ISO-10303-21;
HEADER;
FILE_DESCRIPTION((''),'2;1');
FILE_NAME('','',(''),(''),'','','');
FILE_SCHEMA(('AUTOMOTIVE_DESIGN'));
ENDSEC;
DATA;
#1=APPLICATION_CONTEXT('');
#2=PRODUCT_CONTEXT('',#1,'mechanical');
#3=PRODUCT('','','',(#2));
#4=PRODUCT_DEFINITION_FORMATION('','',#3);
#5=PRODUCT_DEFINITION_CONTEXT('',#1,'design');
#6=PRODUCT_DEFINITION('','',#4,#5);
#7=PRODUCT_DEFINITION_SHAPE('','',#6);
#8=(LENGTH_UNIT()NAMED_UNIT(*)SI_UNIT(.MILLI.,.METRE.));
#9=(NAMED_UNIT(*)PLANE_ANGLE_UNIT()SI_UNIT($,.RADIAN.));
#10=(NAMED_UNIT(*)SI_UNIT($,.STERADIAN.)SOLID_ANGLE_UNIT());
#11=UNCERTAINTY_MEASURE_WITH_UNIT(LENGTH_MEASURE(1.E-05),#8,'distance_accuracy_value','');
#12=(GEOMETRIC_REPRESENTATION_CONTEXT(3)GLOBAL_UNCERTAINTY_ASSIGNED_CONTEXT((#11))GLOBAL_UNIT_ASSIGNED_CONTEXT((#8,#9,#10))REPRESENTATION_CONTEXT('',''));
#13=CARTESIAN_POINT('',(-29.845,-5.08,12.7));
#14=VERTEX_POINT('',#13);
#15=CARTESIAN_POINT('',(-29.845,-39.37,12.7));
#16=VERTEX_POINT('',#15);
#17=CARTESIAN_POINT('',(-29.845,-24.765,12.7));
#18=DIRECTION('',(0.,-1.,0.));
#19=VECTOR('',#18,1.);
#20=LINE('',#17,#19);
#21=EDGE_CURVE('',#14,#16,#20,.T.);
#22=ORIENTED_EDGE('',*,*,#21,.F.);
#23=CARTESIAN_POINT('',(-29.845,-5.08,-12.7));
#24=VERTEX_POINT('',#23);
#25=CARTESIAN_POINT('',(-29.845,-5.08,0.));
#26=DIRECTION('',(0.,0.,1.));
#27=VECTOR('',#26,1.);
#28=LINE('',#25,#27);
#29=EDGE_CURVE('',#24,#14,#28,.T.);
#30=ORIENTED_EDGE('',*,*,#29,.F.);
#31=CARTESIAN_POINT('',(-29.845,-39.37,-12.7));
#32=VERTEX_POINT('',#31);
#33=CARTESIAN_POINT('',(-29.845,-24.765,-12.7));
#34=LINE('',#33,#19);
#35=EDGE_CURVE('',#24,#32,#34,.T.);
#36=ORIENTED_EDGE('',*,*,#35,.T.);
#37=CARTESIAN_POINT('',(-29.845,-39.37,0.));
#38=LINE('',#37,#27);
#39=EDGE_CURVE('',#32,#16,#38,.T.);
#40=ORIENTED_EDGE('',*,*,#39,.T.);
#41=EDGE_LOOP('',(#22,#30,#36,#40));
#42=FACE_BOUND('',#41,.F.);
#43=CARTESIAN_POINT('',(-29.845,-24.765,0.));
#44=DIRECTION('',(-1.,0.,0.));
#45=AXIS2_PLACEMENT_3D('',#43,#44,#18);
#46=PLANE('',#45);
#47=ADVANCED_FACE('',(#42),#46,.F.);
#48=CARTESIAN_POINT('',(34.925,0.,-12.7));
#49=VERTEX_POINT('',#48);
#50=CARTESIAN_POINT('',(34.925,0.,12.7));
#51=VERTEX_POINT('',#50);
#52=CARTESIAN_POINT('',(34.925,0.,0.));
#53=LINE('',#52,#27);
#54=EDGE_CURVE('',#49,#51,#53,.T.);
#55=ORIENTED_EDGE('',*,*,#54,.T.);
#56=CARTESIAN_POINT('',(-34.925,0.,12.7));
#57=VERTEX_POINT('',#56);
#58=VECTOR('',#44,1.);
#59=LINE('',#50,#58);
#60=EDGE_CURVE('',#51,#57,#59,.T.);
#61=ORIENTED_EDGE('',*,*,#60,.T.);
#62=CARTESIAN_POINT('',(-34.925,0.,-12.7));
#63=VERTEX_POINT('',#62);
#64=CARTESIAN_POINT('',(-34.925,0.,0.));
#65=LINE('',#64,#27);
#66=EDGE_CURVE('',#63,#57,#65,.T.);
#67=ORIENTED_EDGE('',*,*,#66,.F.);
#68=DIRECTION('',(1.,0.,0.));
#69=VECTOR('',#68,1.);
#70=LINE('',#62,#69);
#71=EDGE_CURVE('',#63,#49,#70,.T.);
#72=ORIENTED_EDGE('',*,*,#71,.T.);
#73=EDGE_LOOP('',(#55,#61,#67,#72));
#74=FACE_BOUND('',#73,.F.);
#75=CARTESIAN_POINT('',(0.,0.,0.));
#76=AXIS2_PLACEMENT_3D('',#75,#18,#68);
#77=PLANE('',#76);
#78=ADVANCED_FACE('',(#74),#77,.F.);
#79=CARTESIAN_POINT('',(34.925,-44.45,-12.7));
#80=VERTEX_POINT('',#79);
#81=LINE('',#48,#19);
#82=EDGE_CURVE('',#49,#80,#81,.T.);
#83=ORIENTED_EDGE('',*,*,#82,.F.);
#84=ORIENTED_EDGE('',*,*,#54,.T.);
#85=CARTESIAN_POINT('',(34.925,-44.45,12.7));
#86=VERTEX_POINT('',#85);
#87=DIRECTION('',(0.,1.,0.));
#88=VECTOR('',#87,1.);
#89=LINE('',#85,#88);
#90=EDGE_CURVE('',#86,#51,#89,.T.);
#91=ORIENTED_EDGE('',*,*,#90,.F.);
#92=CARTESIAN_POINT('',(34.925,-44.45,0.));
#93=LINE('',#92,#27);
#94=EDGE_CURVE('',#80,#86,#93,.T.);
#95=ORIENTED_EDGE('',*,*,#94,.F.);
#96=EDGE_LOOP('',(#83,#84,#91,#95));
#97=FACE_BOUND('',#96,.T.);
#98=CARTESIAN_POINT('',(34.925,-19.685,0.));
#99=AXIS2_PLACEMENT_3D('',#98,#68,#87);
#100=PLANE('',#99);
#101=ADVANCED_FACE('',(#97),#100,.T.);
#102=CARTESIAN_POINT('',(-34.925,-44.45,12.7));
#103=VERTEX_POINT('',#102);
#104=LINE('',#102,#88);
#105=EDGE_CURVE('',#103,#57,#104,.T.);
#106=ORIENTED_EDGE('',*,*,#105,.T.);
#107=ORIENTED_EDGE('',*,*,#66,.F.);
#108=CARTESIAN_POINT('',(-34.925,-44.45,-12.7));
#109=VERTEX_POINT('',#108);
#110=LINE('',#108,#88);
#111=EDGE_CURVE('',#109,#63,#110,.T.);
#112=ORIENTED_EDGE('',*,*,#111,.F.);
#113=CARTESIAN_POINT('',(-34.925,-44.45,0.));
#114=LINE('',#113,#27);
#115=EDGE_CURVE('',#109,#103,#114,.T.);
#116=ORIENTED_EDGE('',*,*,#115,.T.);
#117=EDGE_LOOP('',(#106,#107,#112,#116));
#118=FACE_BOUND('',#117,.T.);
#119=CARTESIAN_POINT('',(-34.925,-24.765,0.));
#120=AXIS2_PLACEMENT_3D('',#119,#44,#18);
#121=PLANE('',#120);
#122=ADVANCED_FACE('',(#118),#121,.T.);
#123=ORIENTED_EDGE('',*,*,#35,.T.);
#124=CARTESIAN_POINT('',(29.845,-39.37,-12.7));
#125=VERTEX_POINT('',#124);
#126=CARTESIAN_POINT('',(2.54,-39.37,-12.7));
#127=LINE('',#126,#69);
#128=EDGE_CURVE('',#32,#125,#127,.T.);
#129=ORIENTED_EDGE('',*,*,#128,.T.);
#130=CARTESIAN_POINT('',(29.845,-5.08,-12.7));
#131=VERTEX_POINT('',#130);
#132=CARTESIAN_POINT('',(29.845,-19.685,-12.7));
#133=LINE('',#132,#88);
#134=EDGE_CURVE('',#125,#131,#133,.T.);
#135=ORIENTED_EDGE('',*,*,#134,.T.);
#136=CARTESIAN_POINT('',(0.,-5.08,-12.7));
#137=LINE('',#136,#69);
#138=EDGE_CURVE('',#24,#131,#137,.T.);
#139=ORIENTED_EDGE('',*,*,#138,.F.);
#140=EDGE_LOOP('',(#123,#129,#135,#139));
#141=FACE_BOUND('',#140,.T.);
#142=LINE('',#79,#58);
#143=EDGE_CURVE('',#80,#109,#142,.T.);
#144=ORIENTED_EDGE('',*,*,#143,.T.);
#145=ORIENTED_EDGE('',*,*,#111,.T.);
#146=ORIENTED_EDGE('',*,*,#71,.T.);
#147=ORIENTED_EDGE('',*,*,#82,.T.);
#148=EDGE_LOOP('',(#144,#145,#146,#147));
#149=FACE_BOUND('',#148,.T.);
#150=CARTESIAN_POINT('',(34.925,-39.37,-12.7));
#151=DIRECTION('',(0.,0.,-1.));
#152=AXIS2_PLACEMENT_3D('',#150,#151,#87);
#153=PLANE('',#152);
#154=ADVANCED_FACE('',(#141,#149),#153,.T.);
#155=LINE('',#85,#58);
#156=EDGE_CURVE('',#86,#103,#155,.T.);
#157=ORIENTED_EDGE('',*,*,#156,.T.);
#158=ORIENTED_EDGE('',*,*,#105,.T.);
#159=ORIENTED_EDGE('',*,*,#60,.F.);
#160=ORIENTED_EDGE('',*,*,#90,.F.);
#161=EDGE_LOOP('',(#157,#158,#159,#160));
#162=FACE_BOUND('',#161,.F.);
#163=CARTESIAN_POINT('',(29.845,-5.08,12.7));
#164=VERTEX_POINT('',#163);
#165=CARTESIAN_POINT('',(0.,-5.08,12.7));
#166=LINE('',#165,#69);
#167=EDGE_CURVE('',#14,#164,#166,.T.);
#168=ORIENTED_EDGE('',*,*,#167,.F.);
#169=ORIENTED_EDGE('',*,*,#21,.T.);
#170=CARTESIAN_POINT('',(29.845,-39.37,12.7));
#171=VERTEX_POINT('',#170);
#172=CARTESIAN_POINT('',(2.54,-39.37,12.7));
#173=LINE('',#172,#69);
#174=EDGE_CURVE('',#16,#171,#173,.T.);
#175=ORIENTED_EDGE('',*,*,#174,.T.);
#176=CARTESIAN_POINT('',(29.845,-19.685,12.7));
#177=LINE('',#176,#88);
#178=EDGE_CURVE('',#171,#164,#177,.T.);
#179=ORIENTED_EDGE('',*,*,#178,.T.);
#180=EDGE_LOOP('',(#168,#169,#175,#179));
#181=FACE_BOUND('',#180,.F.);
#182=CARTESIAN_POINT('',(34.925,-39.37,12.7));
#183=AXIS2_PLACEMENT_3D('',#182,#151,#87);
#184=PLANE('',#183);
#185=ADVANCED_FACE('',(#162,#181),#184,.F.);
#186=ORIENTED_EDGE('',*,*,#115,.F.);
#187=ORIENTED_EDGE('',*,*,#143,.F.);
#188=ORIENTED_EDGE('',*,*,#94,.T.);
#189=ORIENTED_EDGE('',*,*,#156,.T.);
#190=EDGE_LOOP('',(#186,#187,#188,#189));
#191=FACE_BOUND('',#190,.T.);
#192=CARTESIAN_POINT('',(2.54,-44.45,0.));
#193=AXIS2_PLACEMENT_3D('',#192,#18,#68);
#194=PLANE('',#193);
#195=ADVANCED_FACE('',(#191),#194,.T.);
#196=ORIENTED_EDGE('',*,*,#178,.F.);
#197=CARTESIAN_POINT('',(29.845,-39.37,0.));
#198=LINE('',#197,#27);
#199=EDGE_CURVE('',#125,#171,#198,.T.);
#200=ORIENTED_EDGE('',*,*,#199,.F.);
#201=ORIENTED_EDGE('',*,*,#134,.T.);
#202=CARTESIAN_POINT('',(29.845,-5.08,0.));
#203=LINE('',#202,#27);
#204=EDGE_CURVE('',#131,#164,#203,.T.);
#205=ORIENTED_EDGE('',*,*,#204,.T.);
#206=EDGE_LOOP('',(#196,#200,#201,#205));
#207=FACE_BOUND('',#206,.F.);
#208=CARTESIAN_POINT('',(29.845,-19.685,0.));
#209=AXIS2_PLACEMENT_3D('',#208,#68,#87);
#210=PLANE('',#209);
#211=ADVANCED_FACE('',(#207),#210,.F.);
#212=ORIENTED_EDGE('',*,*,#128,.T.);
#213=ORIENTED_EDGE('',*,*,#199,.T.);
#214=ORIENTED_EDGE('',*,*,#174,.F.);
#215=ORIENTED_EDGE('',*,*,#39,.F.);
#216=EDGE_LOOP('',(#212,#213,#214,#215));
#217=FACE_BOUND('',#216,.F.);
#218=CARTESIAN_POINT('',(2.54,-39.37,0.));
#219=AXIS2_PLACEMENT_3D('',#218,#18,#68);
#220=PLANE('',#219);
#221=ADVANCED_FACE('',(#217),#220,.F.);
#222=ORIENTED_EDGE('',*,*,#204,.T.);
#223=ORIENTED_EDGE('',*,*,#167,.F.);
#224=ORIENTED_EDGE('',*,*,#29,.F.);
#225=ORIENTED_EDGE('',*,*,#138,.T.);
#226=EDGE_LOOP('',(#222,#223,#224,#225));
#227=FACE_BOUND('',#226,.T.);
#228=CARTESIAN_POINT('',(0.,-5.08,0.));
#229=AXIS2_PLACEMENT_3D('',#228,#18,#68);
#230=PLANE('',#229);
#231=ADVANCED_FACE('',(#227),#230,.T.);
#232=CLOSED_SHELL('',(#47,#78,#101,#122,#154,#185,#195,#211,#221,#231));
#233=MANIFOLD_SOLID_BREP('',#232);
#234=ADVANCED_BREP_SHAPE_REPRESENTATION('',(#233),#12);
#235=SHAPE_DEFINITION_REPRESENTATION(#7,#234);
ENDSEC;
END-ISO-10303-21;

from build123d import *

# Parameters (mm, degrees)
F0_W     = 69.85
F0_H     = 25.4
F1_DEPTH = 5.08
F2_W     = 39.37
F2_H     = 25.4
F3_DEPTH = 5.08
F4_W     = 64.77
F4_H     = 25.4
F5_DEPTH = 5.08
F6_W     = 39.37
F6_H     = 25.4
F7_DEPTH = 5.08


with BuildPart() as f1:
    # F0 (on Front) → F1 (new body)
    with BuildSketch(Plane.XZ):
        Rectangle(F0_W, F0_H)
    extrude(amount=F1_DEPTH)

    # F2 (on face) → F3 (join)
    with BuildSketch(Plane(origin=(-34.925, 0, 0), x_dir=(0, -1, 0), z_dir=(-1, 0, 0))):
        with Locations((24.765, 0)):
            Rectangle(F2_W, F2_H)
    extrude(amount=-F3_DEPTH)

    # F4 (on face) → F5 (join)
    with BuildSketch(Plane.XZ.offset(44.45)):
        with Locations((2.54, 0)):
            Rectangle(F4_W, F4_H)
    extrude(amount=-F5_DEPTH)

    # F6 (on face) → F7 (join)
    with BuildSketch(Plane.YZ.offset(34.925)):
        with Locations((-19.685, 0)):
            Rectangle(F6_W, F6_H)
    extrude(amount=-F7_DEPTH)


solid = f1.part
